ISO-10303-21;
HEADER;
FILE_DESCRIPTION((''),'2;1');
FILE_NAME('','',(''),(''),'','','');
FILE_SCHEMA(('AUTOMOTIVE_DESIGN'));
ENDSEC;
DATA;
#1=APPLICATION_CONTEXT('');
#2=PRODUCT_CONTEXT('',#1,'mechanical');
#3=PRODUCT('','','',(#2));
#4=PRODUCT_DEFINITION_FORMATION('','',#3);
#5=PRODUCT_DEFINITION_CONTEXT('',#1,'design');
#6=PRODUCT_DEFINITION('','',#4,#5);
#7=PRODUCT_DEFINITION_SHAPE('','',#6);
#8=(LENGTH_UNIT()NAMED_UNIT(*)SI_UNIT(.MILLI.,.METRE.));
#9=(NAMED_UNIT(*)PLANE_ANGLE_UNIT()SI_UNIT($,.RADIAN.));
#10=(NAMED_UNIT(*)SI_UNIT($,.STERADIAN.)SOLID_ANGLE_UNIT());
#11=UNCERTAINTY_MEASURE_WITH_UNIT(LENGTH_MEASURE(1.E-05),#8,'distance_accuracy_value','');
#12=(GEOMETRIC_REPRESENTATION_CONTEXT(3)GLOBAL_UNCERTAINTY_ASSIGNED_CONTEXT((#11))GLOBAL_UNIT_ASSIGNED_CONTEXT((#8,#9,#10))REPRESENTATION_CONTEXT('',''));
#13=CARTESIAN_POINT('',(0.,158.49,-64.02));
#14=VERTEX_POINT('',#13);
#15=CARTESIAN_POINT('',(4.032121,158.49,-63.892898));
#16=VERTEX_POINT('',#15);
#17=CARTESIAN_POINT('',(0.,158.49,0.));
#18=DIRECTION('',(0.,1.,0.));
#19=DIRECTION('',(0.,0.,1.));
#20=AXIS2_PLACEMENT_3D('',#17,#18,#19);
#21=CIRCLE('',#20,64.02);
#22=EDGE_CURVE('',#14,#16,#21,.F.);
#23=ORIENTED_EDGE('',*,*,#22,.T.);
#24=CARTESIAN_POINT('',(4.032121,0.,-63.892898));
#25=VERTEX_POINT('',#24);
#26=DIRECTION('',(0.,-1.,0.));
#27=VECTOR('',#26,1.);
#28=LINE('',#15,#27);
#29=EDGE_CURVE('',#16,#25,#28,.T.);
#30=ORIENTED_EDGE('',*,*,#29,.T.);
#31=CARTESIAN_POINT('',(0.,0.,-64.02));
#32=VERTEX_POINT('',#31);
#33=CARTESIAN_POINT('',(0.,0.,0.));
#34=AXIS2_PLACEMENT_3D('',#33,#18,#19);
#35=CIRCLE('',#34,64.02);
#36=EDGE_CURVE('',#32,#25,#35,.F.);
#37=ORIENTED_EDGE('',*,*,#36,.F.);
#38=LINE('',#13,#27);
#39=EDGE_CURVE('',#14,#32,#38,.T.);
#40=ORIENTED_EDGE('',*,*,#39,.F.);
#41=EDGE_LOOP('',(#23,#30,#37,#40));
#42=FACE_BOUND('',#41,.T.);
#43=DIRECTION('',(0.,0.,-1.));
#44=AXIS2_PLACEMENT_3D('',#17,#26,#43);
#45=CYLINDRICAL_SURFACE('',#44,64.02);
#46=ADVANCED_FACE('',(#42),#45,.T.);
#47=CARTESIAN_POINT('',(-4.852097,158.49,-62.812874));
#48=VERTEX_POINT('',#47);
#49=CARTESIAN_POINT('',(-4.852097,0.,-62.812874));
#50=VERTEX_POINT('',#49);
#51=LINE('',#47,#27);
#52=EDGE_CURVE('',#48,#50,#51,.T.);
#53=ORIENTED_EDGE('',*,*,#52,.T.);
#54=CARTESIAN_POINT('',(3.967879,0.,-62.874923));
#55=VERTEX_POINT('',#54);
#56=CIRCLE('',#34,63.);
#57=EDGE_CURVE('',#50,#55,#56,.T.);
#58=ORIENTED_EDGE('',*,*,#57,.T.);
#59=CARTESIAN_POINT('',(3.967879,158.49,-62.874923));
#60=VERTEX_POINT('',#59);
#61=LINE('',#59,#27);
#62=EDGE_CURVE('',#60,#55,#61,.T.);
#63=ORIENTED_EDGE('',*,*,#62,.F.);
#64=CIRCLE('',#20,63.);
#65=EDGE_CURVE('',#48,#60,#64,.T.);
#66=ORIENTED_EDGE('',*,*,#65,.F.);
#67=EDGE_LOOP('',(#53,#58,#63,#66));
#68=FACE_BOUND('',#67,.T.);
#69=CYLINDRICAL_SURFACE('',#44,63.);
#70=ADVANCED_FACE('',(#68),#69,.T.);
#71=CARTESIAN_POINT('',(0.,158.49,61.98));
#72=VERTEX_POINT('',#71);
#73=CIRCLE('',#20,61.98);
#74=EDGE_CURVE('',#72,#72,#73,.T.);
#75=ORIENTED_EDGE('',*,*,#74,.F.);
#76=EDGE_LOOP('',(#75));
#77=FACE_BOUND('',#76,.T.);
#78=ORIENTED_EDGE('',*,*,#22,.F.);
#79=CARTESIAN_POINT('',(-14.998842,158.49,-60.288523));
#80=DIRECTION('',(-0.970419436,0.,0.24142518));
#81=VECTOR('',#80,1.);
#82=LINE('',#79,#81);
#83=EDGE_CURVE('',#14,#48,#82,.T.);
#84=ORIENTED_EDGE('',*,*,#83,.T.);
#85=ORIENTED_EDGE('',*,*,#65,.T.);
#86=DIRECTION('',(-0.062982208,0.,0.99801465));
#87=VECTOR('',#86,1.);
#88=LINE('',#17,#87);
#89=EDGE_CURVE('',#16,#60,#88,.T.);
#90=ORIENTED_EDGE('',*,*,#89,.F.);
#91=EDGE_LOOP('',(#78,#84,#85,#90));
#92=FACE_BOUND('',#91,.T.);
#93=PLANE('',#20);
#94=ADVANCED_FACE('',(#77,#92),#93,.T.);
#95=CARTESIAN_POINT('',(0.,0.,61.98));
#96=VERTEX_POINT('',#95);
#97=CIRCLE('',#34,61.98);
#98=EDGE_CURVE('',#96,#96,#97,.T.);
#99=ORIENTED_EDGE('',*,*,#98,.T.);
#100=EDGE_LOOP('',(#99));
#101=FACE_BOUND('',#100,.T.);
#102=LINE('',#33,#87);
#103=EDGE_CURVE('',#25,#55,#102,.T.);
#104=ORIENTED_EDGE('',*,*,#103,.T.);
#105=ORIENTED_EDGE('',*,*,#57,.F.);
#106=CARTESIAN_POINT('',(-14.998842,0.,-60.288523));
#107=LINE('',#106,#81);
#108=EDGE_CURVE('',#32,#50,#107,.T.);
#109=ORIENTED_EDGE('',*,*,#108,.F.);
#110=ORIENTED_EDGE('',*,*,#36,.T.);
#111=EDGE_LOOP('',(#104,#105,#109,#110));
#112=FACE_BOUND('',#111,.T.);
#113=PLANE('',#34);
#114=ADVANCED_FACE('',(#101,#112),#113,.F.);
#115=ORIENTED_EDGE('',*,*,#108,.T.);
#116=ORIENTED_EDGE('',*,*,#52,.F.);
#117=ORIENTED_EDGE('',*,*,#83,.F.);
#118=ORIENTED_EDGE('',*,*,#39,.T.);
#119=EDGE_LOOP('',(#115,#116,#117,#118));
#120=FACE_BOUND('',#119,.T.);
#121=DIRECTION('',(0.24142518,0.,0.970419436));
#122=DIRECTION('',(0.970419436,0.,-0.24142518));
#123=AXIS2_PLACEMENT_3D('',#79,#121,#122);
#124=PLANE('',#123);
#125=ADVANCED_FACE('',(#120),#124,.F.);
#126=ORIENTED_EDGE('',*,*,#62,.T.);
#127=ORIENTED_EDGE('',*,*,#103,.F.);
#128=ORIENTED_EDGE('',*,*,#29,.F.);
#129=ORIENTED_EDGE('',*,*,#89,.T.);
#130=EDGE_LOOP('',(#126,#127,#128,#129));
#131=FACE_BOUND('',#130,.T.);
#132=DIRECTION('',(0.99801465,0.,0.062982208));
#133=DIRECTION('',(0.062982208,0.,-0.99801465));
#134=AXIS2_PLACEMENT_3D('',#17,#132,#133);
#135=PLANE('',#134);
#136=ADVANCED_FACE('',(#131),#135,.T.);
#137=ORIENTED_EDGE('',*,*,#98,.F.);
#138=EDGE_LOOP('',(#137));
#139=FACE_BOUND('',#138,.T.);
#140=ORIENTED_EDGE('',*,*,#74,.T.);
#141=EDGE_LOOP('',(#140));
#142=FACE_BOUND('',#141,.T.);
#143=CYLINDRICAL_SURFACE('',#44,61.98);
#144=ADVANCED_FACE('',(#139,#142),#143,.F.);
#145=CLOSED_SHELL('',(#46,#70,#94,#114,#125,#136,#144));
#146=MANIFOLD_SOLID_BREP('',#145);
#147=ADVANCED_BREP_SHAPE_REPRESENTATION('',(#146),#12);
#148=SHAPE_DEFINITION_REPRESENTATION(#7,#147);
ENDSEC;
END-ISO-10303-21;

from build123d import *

# Parameters (mm, degrees)
SKETCH1_R           = 63
SKETCH1_R_2         = 61.98
BOSS_EXTRUDE1_DEPTH = 158.49


with BuildPart() as part:
    # Sketch1 → Boss-Extrude1 (new body)
    # profile 1 of 3: a face of its own
    with BuildSketch(Plane(origin=(0, 0, 0), x_dir=(1, 0, 0), z_dir=(0, 1, 0))):
        with BuildLine():
            Line((0, 64.02), (0, 63))
            ThreePointArc((0, 63), (1.984924974, 62.968722973), (3.967879074, 62.874922947))
            Line((3.967879074, 62.874922947), (4.032120926, 63.89289789))
            ThreePointArc((4.032120926, 63.89289789), (2.017061855, 63.988216583), (0, 64.02))
        make_face()
    # profile 2 of 3: a face of its own
    with BuildSketch(Plane(origin=(0, 0, 0), x_dir=(1, 0, 0), z_dir=(0, 1, 0))):
        with BuildLine():
            ThreePointArc((-4.852097182, 62.812874102), (-2.427852094, 62.953201143), (0, 63))
            Line((0, 63), (0, 64.02))
            Line((0, 64.02), (-4.852097182, 62.812874102))
        make_face()
    # profile 3 of 3: a face of its own
    with BuildSketch(Plane(origin=(0, 0, 0), x_dir=(1, 0, 0), z_dir=(0, 1, 0))):
        Circle(SKETCH1_R)
        with Locations(Location((0, 0, 0), (0, 0, 270))):
            Circle(SKETCH1_R_2, mode=Mode.SUBTRACT)
    extrude(amount=BOSS_EXTRUDE1_DEPTH)


solid = part.part
